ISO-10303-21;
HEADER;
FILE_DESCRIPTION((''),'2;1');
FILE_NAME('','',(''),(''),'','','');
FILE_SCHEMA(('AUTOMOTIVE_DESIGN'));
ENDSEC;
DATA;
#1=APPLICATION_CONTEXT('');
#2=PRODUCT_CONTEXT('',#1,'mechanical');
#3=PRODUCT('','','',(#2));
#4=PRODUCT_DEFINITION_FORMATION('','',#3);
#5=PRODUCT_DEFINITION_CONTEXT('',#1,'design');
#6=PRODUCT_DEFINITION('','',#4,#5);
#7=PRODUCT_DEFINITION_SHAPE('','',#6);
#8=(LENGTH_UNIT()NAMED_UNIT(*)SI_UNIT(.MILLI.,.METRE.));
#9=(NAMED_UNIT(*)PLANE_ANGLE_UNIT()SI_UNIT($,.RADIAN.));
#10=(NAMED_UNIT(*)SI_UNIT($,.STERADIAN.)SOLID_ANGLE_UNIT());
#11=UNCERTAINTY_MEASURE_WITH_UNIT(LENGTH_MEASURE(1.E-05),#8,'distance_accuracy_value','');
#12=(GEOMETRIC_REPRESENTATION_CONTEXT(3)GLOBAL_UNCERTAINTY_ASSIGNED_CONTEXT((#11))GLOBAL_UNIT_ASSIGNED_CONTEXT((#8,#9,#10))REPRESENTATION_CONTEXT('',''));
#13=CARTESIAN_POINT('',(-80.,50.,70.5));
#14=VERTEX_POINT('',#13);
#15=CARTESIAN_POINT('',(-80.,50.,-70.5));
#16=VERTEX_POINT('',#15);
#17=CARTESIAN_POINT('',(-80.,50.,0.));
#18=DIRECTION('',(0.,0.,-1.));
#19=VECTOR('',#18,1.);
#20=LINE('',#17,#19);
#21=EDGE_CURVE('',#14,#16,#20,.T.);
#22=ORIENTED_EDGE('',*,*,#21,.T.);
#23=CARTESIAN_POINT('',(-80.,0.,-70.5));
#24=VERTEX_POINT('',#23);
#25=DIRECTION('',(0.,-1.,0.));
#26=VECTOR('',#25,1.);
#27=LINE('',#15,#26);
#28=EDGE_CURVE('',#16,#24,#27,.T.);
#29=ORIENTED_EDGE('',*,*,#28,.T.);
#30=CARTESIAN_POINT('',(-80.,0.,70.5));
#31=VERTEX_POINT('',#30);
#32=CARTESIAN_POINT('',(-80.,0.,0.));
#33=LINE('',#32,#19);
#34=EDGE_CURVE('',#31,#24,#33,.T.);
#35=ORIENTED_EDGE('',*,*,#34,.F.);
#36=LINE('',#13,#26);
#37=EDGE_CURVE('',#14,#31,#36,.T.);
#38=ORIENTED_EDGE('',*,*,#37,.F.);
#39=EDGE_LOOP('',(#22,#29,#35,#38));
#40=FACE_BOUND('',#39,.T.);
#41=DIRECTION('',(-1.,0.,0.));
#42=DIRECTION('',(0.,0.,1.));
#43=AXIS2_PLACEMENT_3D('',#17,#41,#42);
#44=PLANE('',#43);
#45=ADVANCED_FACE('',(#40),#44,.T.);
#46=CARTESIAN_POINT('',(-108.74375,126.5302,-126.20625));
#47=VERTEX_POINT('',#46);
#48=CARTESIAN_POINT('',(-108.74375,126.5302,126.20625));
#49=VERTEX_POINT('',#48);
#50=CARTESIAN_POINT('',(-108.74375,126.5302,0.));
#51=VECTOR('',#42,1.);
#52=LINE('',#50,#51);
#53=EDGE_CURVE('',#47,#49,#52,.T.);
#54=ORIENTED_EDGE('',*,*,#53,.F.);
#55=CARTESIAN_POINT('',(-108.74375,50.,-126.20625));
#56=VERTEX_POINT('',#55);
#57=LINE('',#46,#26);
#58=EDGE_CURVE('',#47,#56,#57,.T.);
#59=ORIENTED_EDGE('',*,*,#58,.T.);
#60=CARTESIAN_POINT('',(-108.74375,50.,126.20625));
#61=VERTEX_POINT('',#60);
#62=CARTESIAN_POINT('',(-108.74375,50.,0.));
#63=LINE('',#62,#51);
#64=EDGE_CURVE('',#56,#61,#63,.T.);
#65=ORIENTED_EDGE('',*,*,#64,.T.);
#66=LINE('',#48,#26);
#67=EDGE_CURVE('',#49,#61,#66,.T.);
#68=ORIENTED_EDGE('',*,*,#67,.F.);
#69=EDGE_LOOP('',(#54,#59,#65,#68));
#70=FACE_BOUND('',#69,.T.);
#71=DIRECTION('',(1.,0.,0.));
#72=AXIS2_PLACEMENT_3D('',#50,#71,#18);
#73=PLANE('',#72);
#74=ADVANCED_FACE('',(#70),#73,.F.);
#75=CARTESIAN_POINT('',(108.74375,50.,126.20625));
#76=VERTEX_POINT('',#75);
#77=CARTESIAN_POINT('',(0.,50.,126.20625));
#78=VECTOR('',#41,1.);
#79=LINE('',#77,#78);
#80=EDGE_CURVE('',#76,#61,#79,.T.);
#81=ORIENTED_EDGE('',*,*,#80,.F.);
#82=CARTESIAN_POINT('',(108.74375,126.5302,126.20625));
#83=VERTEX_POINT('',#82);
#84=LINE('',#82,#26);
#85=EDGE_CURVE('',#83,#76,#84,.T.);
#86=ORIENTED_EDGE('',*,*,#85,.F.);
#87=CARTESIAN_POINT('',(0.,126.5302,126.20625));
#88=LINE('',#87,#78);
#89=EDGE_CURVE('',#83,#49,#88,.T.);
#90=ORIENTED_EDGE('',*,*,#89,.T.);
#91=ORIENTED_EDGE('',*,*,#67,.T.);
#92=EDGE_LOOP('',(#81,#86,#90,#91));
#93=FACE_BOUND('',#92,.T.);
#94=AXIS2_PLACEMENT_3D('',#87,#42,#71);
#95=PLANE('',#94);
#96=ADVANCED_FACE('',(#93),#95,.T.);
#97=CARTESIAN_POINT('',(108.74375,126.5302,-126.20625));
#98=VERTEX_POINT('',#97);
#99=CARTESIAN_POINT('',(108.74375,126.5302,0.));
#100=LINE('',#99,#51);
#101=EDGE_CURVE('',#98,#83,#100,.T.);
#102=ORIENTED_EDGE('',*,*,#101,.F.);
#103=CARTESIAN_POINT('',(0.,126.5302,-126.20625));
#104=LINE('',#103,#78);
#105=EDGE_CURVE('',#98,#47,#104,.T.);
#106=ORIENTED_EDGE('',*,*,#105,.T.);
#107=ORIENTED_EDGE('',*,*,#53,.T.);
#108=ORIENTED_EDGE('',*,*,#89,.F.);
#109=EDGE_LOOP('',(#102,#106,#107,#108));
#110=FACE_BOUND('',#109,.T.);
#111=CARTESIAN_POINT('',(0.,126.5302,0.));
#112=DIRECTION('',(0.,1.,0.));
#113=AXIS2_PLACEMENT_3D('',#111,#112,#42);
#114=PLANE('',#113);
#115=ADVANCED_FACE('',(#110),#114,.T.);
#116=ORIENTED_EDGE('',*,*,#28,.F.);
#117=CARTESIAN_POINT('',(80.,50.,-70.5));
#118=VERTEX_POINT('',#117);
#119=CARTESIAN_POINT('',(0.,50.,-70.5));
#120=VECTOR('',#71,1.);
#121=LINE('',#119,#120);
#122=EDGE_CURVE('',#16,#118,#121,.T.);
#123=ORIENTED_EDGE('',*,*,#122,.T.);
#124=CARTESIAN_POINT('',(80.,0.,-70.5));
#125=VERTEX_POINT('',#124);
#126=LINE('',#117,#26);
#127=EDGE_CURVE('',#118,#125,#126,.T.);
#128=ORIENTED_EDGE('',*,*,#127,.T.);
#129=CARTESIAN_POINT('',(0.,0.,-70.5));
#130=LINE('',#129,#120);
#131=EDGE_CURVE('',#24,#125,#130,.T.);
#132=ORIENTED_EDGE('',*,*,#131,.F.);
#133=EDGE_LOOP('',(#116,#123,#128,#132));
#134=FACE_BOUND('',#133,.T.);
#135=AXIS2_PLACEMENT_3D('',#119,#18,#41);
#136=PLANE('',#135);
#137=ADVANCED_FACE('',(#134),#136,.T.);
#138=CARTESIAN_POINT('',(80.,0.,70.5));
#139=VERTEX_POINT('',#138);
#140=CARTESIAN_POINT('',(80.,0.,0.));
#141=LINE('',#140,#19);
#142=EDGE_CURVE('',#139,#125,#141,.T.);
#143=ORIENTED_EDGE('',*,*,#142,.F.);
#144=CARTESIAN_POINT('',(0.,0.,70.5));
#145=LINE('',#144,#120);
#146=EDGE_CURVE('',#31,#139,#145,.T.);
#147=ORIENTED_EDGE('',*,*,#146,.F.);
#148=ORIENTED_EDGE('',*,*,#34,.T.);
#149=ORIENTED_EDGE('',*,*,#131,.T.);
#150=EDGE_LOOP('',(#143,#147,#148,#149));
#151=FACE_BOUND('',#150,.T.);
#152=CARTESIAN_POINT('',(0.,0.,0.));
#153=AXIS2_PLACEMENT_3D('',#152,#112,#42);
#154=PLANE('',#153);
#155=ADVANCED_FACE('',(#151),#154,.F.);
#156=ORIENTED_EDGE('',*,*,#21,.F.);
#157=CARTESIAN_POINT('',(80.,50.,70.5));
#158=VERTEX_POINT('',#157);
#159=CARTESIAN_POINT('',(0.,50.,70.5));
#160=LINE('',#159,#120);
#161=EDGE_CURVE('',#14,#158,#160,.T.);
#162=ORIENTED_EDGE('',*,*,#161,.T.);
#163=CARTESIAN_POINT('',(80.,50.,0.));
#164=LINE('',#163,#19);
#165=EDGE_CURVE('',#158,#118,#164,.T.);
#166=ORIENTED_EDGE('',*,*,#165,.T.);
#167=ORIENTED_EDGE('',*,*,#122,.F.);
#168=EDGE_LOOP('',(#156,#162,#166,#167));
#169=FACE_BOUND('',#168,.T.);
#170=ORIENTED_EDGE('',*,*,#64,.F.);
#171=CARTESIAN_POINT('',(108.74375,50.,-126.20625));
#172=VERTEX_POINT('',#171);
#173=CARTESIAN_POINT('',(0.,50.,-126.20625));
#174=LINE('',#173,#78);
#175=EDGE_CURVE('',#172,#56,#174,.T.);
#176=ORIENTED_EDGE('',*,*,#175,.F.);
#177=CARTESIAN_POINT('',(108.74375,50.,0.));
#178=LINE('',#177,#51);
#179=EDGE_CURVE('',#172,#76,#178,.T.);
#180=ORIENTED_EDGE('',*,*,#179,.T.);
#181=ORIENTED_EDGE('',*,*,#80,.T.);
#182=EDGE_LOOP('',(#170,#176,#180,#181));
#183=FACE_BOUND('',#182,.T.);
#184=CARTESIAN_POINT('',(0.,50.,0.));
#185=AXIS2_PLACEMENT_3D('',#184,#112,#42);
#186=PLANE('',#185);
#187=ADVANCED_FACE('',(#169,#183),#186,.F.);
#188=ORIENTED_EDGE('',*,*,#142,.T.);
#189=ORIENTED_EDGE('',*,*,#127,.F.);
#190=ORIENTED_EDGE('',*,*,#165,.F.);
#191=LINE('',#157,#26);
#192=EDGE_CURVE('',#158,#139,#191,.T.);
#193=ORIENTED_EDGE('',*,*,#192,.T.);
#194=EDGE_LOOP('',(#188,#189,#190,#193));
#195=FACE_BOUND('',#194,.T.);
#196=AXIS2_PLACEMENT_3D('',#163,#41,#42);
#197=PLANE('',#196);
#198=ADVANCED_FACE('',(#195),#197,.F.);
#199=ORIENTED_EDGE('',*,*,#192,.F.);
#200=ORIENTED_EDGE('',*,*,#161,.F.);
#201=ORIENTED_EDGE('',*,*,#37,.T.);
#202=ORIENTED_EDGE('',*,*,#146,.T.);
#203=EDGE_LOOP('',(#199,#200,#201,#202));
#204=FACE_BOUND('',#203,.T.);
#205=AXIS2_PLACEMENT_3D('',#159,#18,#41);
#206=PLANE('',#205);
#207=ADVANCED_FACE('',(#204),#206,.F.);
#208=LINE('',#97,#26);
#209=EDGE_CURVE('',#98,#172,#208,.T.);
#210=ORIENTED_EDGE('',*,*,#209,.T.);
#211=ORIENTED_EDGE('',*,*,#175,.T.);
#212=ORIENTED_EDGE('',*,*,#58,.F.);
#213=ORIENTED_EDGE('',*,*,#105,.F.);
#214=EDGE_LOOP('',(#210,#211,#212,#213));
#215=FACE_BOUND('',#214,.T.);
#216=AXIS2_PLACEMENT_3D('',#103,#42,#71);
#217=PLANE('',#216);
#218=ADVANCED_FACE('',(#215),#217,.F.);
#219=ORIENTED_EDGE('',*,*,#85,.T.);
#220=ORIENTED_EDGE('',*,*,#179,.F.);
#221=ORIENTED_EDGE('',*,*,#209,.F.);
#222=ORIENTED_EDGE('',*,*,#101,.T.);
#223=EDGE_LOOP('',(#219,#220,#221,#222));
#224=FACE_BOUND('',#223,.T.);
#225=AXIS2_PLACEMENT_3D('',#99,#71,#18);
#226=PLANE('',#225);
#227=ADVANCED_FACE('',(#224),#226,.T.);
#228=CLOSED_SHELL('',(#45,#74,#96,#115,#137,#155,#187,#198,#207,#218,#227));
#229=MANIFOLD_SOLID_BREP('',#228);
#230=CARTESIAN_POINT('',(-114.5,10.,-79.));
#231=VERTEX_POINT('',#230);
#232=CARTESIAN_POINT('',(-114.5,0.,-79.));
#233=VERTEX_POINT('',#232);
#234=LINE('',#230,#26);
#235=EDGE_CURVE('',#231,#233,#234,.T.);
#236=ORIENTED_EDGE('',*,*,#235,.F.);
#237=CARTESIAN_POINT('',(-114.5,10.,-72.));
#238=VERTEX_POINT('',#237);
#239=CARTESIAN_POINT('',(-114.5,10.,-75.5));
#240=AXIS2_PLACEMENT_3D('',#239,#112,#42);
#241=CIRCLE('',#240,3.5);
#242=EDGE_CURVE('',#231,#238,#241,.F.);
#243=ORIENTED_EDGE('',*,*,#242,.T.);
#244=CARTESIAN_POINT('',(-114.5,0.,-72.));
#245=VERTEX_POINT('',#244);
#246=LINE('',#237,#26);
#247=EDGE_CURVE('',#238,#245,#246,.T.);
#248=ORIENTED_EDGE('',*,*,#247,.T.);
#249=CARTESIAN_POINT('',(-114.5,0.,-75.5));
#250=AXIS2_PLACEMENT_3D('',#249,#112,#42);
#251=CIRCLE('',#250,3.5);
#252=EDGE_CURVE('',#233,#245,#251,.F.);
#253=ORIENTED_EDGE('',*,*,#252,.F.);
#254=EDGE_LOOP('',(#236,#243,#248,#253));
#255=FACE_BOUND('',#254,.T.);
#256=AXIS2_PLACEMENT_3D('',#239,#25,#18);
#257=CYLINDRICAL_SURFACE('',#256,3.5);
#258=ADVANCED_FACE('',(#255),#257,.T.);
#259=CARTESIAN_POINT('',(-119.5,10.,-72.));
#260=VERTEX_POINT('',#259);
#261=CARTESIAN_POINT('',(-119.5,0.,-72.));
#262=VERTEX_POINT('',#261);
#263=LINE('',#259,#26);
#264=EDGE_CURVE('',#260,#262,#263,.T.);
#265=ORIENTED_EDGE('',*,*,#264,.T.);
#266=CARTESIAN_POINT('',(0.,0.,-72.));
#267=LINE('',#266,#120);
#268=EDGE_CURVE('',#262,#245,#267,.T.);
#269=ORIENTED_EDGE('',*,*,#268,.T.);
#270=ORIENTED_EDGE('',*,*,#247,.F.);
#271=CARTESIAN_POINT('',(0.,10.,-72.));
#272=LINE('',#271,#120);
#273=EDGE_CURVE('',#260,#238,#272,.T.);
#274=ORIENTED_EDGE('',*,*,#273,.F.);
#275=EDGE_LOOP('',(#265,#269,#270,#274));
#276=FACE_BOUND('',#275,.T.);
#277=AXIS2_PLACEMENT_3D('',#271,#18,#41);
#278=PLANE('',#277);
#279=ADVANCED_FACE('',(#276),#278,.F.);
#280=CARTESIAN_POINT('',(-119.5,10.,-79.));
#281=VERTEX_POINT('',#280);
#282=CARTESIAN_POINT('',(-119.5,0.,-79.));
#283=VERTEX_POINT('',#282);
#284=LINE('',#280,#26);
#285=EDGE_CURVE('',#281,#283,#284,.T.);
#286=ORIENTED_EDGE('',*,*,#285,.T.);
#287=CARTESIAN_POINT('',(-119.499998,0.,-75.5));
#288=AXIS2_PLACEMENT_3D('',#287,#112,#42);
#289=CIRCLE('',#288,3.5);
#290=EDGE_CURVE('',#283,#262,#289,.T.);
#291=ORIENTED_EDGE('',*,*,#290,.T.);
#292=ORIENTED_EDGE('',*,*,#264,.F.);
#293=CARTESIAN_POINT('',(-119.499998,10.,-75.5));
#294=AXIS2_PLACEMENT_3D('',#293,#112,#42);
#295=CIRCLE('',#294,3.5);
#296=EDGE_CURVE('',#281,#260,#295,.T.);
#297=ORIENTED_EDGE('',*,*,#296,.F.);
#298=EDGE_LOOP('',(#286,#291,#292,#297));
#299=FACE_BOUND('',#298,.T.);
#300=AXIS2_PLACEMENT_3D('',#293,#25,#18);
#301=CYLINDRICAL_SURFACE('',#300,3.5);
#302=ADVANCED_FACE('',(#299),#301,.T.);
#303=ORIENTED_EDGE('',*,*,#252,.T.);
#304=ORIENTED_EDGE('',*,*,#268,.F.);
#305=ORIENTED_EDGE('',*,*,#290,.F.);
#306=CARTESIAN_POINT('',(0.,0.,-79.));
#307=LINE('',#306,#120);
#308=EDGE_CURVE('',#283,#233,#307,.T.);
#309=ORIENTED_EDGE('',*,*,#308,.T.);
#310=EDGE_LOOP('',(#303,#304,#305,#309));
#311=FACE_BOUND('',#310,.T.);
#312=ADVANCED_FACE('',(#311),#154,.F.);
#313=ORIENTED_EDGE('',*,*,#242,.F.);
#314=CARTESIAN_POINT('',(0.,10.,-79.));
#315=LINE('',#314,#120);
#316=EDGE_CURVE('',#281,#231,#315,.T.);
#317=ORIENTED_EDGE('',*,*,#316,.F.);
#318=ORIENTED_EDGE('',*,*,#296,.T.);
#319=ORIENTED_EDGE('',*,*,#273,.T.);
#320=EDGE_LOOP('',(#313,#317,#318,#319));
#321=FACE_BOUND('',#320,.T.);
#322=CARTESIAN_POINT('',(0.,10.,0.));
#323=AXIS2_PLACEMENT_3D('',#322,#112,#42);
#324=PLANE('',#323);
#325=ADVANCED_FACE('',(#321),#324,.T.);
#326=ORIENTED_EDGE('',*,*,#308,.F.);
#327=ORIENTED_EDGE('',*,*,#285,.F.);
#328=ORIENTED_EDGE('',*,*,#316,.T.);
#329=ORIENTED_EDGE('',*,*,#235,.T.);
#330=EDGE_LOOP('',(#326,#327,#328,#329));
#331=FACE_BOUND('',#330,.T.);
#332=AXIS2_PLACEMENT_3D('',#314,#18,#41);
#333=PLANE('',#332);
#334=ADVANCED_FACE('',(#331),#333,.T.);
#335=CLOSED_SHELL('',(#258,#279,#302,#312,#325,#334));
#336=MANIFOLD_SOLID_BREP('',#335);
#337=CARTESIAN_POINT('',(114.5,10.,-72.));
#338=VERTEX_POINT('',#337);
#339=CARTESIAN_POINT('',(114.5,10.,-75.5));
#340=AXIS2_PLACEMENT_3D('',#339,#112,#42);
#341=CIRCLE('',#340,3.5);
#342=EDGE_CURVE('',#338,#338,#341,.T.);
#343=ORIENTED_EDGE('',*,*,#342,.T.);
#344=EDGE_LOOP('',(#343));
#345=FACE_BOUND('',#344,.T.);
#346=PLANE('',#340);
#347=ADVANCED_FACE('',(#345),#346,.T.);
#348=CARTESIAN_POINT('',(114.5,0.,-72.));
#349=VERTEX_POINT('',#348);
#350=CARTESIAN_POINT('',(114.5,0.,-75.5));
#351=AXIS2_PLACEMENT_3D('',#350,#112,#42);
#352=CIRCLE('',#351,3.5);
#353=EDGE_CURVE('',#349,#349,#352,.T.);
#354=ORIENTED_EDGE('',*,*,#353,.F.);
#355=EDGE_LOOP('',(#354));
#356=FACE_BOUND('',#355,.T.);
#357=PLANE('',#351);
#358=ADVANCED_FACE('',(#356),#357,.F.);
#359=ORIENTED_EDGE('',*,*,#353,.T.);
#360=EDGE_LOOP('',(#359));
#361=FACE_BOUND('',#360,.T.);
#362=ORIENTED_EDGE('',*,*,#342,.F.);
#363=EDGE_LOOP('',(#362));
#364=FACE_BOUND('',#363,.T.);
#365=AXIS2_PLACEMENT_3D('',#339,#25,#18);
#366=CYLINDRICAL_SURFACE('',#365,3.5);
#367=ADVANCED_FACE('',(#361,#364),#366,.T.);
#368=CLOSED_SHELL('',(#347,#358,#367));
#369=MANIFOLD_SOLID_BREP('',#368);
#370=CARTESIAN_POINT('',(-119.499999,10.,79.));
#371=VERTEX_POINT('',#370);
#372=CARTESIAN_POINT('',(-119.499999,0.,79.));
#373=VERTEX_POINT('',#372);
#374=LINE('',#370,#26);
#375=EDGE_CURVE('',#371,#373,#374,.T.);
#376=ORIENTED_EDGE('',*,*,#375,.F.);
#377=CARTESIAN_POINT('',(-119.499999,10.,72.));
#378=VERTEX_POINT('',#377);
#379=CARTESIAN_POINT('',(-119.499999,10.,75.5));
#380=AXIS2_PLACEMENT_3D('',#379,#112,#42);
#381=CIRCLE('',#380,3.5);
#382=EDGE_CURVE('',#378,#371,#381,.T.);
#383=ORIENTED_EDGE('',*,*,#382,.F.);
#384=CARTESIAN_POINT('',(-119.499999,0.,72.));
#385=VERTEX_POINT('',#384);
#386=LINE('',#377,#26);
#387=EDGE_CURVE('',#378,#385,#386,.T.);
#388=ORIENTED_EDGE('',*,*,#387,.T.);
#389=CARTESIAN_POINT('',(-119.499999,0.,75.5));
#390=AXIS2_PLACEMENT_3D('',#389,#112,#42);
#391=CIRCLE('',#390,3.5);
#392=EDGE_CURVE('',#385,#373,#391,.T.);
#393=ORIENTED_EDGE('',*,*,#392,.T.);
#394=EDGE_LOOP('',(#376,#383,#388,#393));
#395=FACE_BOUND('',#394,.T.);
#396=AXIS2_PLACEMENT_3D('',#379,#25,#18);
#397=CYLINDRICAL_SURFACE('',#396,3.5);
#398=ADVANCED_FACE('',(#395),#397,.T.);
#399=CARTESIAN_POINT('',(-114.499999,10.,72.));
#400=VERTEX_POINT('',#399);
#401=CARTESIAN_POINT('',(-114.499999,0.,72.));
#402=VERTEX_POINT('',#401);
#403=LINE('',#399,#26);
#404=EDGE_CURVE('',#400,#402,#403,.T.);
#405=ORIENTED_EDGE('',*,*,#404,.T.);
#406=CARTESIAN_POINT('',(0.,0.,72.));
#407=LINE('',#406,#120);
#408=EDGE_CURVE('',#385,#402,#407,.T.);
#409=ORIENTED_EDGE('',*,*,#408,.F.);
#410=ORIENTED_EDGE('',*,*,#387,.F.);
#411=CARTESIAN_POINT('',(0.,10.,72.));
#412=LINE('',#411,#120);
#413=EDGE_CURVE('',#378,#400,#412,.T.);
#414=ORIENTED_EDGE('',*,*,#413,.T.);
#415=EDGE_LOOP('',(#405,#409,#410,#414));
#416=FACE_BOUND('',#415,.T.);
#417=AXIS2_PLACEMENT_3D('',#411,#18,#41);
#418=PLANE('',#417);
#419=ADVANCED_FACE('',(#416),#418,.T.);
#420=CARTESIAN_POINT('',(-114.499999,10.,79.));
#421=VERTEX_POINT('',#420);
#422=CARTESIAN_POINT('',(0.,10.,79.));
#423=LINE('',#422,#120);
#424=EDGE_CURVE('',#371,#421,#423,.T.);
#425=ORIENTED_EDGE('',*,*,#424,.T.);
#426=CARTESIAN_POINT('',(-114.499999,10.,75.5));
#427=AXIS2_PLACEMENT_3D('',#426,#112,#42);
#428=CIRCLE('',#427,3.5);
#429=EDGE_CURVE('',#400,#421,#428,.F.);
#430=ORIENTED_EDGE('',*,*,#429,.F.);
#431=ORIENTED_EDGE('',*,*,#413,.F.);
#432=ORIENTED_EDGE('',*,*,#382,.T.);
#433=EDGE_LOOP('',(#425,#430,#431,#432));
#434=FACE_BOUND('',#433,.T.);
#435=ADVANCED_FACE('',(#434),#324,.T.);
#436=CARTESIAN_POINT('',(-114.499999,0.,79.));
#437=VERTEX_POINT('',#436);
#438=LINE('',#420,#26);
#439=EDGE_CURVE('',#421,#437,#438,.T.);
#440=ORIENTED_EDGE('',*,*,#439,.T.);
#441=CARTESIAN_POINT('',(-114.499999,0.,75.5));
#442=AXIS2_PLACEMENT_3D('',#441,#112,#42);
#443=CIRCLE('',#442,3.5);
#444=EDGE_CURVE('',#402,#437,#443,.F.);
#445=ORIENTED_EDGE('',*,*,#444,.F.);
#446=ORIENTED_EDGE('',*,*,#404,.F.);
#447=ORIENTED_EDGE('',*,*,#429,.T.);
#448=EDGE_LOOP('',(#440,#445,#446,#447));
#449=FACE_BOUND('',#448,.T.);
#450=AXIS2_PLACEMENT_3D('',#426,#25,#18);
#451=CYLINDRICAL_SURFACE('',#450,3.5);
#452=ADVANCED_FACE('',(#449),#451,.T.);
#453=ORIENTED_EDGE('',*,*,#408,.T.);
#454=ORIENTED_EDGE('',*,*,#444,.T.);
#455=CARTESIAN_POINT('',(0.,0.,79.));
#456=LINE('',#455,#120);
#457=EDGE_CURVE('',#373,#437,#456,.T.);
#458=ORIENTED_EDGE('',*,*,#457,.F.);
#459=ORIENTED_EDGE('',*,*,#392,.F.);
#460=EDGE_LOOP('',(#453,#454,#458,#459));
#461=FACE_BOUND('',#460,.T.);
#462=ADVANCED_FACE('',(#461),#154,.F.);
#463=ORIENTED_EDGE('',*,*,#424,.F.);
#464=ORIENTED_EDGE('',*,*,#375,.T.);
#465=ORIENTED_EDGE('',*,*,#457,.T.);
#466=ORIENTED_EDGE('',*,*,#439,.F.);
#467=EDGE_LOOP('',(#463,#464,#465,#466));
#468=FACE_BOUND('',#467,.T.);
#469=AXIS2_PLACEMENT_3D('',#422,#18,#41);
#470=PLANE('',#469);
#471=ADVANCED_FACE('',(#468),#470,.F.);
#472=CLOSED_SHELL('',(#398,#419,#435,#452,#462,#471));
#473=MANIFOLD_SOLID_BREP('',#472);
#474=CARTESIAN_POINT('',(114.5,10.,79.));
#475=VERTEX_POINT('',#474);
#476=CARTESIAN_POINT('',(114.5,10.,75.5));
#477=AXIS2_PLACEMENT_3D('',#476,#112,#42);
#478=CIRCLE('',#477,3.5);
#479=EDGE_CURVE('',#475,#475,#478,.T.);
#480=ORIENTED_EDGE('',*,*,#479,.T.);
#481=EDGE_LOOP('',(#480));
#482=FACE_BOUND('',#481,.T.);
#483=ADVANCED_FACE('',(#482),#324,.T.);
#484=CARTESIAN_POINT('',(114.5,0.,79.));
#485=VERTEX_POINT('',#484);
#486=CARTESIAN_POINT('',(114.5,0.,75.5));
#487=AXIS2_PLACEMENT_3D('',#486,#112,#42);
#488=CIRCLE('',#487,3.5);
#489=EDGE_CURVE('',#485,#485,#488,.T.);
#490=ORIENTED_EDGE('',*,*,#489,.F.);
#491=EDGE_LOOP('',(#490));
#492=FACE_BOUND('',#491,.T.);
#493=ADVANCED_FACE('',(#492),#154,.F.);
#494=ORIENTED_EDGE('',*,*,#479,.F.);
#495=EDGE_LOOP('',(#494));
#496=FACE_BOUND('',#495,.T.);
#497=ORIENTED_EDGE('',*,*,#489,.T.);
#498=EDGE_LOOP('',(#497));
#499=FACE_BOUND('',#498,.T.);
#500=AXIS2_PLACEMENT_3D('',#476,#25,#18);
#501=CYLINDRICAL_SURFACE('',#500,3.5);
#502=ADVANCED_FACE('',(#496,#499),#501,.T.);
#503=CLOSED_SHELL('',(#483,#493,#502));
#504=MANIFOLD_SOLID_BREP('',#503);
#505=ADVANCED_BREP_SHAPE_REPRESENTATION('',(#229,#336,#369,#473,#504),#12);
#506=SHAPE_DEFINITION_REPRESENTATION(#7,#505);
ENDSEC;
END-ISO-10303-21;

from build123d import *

# Parameters (mm, degrees)
SKETCH1_W             = 160
SKETCH1_H             = 141
BOSS_EXTRUDE1_DEPTH   = 50
BOSS_EXTRUDE2_START   = 50
SKETCH1_3_W           = 217.4875
SKETCH1_3_H           = 252.4125
BOSS_EXTRUDE2_DEPTH   = 76.5302
BOSS_EXTRUDE3_DEPTH   = 10
BOSS_EXTRUDE3_2_DEPTH = 10
SKETCH1_4_R           = 3.5
BOSS_EXTRUDE3_3_DEPTH = 10
BOSS_EXTRUDE3_4_DEPTH = 10


with BuildPart() as part:
    # Sketch1 → Boss-Extrude1 (new body)
    with BuildSketch(Plane(origin=(0, 0, 0), x_dir=(1, 0, 0), z_dir=(0, 1, 0))):
        Rectangle(SKETCH1_W, SKETCH1_H)
    extrude(amount=BOSS_EXTRUDE1_DEPTH)

    # Sketch1<3> → Boss-Extrude2 (add)
    with BuildSketch(Plane(origin=(0, 0, 0), x_dir=(1, 0, 0), z_dir=(0, 1, 0)).offset(BOSS_EXTRUDE2_START)):
        Rectangle(SKETCH1_3_W, SKETCH1_3_H)
    extrude(amount=BOSS_EXTRUDE2_DEPTH)


with BuildPart() as body_2:
    # Sketch1<4> → Boss-Extrude3 (new body)
    with BuildSketch(Plane(origin=(0, 0, 0), x_dir=(1, 0, 0), z_dir=(0, 1, 0))):
        with BuildLine():
            ThreePointArc((-114.5, 79), (-111, 75.5), (-114.5, 72))
            Line((-114.5, 72), (-119.5, 72))
            ThreePointArc((-119.5, 72), (-122.999998138, 75.5), (-119.5, 79))
            Line((-119.5, 79), (-114.5, 79))
        make_face()
    extrude(amount=BOSS_EXTRUDE3_DEPTH)


with BuildPart() as body_3:
    # Sketch1<4> → Boss-Extrude3 2 (new body)
    with BuildSketch(Plane(origin=(0, 0, 0), x_dir=(1, 0, 0), z_dir=(0, 1, 0))):
        with BuildLine():
            ThreePointArc((-114.499999164, -72), (-110.999999164, -75.5), (-114.499999164, -79))
            Line((-114.499999164, -79), (-119.499999164, -79))
            ThreePointArc((-119.499999164, -79), (-122.999998974, -75.5), (-119.499999164, -72))
            Line((-119.499999164, -72), (-114.499999164, -72))
        make_face()
    extrude(amount=BOSS_EXTRUDE3_2_DEPTH)


with BuildPart() as body_4:
    # Sketch1<4> → Boss-Extrude3 3 (new body)
    with BuildSketch(Plane(origin=(0, 0, 0), x_dir=(1, 0, 0), z_dir=(0, 1, 0))):
        with Locations(Location((114.5, -75.5, 0), (0, 0, 270))):
            Circle(SKETCH1_4_R)
    extrude(amount=BOSS_EXTRUDE3_3_DEPTH)


with BuildPart() as body_5:
    # Sketch1<4> → Boss-Extrude3 4 (new body)
    with BuildSketch(Plane(origin=(0, 0, 0), x_dir=(1, 0, 0), z_dir=(0, 1, 0))):
        with Locations(Location((114.5, 75.5, 0), (0, 0, 270))):
            Circle(SKETCH1_4_R)
    extrude(amount=BOSS_EXTRUDE3_4_DEPTH)


solid = Compound([part.part, body_2.part, body_3.part, body_4.part, body_5.part])
